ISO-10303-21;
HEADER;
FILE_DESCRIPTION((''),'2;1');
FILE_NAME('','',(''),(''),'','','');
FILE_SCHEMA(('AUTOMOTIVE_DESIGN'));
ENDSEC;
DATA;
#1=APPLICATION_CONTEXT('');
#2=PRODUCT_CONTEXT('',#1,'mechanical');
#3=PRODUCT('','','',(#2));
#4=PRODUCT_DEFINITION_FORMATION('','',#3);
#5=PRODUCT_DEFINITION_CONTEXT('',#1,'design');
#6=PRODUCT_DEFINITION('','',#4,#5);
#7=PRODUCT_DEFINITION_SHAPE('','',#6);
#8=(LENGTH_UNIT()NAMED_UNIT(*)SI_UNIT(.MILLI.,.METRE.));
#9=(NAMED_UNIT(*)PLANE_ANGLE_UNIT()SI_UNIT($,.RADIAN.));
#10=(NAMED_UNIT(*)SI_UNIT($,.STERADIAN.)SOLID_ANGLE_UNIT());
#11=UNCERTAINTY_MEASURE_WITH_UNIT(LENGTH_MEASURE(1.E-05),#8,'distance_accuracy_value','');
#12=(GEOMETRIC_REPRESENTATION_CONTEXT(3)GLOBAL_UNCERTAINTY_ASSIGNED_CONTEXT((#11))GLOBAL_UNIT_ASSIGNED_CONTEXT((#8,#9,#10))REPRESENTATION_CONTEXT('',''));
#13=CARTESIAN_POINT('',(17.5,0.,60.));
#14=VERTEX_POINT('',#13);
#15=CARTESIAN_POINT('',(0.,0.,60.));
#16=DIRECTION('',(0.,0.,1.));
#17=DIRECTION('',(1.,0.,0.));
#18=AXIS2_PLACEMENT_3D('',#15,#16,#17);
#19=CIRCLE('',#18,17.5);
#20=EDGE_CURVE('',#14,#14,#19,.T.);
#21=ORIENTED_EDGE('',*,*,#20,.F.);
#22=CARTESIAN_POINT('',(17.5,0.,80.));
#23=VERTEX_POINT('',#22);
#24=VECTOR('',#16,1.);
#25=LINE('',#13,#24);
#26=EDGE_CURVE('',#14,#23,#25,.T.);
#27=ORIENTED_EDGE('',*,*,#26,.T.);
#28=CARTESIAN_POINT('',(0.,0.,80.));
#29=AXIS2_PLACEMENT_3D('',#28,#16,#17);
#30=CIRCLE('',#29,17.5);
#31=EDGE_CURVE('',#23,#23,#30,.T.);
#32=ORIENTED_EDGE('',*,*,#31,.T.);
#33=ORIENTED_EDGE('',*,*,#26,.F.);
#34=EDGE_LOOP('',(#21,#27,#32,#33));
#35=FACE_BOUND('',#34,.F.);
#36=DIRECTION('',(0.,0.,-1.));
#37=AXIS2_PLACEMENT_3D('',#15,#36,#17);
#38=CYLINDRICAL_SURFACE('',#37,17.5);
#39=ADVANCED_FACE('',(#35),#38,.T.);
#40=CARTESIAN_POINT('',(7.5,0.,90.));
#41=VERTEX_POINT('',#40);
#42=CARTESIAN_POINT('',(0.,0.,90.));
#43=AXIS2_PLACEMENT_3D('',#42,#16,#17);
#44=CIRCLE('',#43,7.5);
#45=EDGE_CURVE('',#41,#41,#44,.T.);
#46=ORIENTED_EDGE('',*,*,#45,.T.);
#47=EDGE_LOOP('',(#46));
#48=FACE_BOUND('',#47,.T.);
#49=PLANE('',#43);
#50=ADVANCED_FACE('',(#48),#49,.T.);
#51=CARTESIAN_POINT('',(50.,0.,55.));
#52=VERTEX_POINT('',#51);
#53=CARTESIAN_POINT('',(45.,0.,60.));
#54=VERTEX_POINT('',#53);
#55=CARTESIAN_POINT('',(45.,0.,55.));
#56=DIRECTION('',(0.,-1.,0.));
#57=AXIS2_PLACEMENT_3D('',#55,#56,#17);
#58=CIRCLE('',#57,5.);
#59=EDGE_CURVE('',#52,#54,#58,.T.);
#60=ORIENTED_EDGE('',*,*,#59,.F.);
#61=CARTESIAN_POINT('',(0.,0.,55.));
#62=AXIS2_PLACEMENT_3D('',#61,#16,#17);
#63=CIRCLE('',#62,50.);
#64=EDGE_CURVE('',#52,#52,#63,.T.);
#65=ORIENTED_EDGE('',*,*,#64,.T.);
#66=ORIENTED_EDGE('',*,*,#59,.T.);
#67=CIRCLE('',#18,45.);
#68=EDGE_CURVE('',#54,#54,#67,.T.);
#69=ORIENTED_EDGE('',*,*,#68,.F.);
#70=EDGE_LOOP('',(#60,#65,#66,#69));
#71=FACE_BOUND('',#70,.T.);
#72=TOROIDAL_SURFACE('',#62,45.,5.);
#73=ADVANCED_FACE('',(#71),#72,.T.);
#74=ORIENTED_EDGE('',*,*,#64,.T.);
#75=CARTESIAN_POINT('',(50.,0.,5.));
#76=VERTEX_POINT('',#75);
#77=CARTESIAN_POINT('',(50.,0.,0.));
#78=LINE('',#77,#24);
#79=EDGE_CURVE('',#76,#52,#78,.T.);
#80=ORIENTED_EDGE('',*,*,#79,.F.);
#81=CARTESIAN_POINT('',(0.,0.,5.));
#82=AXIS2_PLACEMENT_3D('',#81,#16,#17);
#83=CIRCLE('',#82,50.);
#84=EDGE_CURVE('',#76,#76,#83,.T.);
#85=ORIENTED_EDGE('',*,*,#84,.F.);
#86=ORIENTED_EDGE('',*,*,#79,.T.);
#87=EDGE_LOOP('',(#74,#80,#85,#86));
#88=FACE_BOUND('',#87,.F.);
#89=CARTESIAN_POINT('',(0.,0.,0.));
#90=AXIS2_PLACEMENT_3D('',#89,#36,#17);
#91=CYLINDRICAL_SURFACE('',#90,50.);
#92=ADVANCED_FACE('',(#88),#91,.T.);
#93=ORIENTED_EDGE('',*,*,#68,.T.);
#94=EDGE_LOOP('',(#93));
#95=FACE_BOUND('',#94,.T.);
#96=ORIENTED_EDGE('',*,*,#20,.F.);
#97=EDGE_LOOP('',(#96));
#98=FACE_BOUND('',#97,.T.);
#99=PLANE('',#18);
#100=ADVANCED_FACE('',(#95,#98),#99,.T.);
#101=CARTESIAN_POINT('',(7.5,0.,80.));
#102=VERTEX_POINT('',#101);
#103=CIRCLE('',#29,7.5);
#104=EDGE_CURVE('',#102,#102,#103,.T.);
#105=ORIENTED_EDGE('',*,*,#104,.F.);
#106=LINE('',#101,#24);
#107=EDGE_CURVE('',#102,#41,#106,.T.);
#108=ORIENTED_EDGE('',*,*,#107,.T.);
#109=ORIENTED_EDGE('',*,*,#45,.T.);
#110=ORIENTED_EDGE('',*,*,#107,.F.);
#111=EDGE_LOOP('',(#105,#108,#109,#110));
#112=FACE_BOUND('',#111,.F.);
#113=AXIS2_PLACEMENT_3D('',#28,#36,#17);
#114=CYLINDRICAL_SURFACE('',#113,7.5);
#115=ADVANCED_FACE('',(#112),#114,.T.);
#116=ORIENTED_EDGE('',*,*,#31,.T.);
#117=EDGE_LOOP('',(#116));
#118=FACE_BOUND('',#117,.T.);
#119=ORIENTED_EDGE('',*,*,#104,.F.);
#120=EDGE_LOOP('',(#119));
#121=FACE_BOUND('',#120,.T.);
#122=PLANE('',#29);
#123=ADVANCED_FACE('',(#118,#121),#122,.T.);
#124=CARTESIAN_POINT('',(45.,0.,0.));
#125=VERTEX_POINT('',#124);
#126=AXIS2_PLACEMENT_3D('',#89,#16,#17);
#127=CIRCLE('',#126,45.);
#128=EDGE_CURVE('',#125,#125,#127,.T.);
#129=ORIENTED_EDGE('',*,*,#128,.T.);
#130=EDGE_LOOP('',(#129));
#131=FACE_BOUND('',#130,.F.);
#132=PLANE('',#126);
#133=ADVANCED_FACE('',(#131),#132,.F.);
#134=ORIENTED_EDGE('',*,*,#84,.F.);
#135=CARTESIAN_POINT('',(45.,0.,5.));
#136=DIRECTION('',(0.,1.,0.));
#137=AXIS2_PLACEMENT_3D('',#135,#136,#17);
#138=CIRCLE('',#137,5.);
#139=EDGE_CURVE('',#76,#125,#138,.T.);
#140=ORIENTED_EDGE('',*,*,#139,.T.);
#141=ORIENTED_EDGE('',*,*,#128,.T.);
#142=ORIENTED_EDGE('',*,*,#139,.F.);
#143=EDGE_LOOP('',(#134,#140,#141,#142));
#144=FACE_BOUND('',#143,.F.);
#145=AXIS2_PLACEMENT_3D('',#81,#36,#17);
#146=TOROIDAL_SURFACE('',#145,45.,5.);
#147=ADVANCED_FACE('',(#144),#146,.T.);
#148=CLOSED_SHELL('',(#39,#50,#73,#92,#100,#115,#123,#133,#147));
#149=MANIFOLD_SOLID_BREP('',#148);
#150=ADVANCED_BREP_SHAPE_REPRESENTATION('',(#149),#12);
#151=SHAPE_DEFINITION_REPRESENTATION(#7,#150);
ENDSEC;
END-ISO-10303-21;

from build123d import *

# Parameters (mm, degrees)
F0_R     = 50
F1_DEPTH = 60
F2_R     = 5
F3_R     = 17.5
F4_DEPTH = 20
F5_R     = 7.5
F6_DEPTH = 10


with BuildPart() as f1:
    # F0 (on Top) → F1 (new body)
    with BuildSketch(Plane.XY):
        Circle(F0_R)
    extrude(amount=F1_DEPTH)

    # F2
    f2_edges = [f1.edges().sort_by_distance(p)[0] for p in [
        (-50, 0, 60),
        (-50, 0, 0),
    ]]
    fillet(f2_edges, radius=F2_R)

    # F3 (on face) → F4 (join)
    with BuildSketch(Plane.XY.offset(60)):
        Circle(F3_R)
    extrude(amount=F4_DEPTH)

    # F5 (on face) → F6 (join)
    with BuildSketch(Plane.XY.offset(80)):
        Circle(F5_R)
    extrude(amount=F6_DEPTH)


solid = f1.part
